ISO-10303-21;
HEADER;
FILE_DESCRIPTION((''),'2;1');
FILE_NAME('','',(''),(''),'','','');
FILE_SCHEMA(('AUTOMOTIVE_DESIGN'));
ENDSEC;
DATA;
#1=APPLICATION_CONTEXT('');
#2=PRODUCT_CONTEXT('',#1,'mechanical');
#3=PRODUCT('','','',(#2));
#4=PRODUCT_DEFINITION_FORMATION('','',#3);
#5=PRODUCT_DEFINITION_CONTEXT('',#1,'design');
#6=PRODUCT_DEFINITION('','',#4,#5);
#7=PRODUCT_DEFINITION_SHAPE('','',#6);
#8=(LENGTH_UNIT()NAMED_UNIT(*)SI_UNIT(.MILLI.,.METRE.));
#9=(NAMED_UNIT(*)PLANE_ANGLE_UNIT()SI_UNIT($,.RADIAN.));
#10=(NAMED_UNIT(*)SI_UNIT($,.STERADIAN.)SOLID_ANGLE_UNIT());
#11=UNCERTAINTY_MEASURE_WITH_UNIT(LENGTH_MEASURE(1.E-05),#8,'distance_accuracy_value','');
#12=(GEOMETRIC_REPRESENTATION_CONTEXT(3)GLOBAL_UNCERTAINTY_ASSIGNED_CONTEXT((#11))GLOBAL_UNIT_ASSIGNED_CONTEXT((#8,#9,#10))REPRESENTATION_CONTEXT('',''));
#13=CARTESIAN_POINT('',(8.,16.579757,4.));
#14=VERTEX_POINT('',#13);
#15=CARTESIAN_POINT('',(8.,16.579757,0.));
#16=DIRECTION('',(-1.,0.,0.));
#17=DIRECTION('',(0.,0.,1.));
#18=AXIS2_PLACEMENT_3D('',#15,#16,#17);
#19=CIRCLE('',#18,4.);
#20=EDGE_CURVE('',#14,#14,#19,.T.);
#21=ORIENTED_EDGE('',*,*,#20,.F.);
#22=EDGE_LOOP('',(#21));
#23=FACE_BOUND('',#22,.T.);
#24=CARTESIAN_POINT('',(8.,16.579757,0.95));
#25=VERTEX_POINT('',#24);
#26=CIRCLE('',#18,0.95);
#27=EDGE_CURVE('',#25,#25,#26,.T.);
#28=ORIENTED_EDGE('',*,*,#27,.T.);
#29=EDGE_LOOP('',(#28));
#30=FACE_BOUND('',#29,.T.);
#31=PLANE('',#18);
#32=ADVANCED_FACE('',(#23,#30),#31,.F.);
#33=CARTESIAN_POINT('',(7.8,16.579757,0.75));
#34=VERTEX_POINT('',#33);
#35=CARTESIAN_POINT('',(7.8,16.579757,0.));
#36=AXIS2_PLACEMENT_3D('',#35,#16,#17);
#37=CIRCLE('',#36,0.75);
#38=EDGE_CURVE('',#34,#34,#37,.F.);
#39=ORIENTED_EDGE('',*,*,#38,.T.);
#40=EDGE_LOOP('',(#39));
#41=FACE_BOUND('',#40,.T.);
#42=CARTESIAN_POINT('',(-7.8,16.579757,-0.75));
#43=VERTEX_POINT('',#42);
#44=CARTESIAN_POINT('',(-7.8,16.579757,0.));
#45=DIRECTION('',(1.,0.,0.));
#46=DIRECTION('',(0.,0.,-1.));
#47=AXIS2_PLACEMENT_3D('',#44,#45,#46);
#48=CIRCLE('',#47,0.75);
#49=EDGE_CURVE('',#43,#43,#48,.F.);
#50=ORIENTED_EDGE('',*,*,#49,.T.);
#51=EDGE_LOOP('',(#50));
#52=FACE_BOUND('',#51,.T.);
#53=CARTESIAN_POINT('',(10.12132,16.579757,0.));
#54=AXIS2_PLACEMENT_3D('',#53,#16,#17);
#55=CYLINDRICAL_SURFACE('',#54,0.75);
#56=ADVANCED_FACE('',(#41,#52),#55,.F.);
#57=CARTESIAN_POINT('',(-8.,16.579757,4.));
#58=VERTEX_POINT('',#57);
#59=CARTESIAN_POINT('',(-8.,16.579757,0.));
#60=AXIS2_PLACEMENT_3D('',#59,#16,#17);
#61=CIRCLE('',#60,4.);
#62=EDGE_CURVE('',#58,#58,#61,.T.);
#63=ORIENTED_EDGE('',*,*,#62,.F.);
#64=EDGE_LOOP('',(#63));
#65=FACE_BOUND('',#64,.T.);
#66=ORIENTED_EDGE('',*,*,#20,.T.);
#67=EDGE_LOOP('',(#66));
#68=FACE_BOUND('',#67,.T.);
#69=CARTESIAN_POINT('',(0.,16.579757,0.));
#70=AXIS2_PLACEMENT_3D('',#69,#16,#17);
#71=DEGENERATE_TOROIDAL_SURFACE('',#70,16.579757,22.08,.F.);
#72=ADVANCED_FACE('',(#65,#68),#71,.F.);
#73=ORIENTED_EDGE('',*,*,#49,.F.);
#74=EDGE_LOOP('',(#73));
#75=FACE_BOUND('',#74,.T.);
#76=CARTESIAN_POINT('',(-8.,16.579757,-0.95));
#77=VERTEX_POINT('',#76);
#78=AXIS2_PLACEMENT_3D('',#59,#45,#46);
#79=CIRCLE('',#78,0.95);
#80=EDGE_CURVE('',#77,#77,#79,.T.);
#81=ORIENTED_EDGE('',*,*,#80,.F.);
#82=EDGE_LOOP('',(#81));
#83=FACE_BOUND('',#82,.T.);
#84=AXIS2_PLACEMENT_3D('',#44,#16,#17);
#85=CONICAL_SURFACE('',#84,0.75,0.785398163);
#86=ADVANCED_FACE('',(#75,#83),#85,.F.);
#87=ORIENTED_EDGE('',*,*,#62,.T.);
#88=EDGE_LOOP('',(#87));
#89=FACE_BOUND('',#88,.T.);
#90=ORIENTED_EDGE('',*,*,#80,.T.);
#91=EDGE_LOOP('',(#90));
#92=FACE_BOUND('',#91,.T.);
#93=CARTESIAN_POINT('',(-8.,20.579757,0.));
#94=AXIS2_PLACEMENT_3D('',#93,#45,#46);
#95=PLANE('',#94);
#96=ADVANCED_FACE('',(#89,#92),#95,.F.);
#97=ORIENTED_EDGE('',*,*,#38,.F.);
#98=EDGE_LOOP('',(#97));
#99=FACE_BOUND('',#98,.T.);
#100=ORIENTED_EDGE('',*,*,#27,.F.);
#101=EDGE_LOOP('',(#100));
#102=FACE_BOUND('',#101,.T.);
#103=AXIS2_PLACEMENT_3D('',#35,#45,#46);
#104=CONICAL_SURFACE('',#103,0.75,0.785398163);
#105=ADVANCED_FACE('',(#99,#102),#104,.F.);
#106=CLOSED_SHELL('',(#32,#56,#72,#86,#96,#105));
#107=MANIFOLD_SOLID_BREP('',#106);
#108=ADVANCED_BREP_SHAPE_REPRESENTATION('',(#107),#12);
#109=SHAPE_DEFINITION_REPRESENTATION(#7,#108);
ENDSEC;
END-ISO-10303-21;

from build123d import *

# Parameters (mm, degrees)
CROQUIS2_R            = 0.75
CORTAR_EXTRUIR1_DEPTH = 16
CHAFL_N1_SIZE         = 0.2


with BuildPart() as part:
    # Croquis1 → Revolución1 (revolve)
    with BuildSketch(Plane.XY, mode=Mode.PRIVATE) as revoluci_n1_sk:
        with BuildLine():
            Line((-8, 20.579757044), (-8, 16.579757044))
            Line((-8, 16.579757044), (8, 16.579757044))
            Line((8, 16.579757044), (8, 20.579757044))
            ThreePointArc((8, 20.579757044), (0, 22.08), (-8, 20.579757044))
        make_face()
    revolve(revoluci_n1_sk.sketch.rotate(Axis((-8, 16.579757044, 0), (1, 0, 0)), 90), axis=Axis((-8, 16.579757044, 0), (1, 0, 0)))

    # Croquis2 → Cortar-Extruir1 (cut)
    with BuildSketch(Plane.ZY.offset(8)):
        with Locations((0, 16.579757044)):
            Circle(CROQUIS2_R)
    extrude(amount=-CORTAR_EXTRUIR1_DEPTH, mode=Mode.SUBTRACT)

    # Chaflán1
    chafl_n1_edges = [part.edges().sort_by_distance(p)[0] for p in [
        (-8, 16.579757044, -0.75),
        (8, 16.579757044, -0.75),
    ]]
    chamfer(chafl_n1_edges, length=CHAFL_N1_SIZE)


solid = part.part
